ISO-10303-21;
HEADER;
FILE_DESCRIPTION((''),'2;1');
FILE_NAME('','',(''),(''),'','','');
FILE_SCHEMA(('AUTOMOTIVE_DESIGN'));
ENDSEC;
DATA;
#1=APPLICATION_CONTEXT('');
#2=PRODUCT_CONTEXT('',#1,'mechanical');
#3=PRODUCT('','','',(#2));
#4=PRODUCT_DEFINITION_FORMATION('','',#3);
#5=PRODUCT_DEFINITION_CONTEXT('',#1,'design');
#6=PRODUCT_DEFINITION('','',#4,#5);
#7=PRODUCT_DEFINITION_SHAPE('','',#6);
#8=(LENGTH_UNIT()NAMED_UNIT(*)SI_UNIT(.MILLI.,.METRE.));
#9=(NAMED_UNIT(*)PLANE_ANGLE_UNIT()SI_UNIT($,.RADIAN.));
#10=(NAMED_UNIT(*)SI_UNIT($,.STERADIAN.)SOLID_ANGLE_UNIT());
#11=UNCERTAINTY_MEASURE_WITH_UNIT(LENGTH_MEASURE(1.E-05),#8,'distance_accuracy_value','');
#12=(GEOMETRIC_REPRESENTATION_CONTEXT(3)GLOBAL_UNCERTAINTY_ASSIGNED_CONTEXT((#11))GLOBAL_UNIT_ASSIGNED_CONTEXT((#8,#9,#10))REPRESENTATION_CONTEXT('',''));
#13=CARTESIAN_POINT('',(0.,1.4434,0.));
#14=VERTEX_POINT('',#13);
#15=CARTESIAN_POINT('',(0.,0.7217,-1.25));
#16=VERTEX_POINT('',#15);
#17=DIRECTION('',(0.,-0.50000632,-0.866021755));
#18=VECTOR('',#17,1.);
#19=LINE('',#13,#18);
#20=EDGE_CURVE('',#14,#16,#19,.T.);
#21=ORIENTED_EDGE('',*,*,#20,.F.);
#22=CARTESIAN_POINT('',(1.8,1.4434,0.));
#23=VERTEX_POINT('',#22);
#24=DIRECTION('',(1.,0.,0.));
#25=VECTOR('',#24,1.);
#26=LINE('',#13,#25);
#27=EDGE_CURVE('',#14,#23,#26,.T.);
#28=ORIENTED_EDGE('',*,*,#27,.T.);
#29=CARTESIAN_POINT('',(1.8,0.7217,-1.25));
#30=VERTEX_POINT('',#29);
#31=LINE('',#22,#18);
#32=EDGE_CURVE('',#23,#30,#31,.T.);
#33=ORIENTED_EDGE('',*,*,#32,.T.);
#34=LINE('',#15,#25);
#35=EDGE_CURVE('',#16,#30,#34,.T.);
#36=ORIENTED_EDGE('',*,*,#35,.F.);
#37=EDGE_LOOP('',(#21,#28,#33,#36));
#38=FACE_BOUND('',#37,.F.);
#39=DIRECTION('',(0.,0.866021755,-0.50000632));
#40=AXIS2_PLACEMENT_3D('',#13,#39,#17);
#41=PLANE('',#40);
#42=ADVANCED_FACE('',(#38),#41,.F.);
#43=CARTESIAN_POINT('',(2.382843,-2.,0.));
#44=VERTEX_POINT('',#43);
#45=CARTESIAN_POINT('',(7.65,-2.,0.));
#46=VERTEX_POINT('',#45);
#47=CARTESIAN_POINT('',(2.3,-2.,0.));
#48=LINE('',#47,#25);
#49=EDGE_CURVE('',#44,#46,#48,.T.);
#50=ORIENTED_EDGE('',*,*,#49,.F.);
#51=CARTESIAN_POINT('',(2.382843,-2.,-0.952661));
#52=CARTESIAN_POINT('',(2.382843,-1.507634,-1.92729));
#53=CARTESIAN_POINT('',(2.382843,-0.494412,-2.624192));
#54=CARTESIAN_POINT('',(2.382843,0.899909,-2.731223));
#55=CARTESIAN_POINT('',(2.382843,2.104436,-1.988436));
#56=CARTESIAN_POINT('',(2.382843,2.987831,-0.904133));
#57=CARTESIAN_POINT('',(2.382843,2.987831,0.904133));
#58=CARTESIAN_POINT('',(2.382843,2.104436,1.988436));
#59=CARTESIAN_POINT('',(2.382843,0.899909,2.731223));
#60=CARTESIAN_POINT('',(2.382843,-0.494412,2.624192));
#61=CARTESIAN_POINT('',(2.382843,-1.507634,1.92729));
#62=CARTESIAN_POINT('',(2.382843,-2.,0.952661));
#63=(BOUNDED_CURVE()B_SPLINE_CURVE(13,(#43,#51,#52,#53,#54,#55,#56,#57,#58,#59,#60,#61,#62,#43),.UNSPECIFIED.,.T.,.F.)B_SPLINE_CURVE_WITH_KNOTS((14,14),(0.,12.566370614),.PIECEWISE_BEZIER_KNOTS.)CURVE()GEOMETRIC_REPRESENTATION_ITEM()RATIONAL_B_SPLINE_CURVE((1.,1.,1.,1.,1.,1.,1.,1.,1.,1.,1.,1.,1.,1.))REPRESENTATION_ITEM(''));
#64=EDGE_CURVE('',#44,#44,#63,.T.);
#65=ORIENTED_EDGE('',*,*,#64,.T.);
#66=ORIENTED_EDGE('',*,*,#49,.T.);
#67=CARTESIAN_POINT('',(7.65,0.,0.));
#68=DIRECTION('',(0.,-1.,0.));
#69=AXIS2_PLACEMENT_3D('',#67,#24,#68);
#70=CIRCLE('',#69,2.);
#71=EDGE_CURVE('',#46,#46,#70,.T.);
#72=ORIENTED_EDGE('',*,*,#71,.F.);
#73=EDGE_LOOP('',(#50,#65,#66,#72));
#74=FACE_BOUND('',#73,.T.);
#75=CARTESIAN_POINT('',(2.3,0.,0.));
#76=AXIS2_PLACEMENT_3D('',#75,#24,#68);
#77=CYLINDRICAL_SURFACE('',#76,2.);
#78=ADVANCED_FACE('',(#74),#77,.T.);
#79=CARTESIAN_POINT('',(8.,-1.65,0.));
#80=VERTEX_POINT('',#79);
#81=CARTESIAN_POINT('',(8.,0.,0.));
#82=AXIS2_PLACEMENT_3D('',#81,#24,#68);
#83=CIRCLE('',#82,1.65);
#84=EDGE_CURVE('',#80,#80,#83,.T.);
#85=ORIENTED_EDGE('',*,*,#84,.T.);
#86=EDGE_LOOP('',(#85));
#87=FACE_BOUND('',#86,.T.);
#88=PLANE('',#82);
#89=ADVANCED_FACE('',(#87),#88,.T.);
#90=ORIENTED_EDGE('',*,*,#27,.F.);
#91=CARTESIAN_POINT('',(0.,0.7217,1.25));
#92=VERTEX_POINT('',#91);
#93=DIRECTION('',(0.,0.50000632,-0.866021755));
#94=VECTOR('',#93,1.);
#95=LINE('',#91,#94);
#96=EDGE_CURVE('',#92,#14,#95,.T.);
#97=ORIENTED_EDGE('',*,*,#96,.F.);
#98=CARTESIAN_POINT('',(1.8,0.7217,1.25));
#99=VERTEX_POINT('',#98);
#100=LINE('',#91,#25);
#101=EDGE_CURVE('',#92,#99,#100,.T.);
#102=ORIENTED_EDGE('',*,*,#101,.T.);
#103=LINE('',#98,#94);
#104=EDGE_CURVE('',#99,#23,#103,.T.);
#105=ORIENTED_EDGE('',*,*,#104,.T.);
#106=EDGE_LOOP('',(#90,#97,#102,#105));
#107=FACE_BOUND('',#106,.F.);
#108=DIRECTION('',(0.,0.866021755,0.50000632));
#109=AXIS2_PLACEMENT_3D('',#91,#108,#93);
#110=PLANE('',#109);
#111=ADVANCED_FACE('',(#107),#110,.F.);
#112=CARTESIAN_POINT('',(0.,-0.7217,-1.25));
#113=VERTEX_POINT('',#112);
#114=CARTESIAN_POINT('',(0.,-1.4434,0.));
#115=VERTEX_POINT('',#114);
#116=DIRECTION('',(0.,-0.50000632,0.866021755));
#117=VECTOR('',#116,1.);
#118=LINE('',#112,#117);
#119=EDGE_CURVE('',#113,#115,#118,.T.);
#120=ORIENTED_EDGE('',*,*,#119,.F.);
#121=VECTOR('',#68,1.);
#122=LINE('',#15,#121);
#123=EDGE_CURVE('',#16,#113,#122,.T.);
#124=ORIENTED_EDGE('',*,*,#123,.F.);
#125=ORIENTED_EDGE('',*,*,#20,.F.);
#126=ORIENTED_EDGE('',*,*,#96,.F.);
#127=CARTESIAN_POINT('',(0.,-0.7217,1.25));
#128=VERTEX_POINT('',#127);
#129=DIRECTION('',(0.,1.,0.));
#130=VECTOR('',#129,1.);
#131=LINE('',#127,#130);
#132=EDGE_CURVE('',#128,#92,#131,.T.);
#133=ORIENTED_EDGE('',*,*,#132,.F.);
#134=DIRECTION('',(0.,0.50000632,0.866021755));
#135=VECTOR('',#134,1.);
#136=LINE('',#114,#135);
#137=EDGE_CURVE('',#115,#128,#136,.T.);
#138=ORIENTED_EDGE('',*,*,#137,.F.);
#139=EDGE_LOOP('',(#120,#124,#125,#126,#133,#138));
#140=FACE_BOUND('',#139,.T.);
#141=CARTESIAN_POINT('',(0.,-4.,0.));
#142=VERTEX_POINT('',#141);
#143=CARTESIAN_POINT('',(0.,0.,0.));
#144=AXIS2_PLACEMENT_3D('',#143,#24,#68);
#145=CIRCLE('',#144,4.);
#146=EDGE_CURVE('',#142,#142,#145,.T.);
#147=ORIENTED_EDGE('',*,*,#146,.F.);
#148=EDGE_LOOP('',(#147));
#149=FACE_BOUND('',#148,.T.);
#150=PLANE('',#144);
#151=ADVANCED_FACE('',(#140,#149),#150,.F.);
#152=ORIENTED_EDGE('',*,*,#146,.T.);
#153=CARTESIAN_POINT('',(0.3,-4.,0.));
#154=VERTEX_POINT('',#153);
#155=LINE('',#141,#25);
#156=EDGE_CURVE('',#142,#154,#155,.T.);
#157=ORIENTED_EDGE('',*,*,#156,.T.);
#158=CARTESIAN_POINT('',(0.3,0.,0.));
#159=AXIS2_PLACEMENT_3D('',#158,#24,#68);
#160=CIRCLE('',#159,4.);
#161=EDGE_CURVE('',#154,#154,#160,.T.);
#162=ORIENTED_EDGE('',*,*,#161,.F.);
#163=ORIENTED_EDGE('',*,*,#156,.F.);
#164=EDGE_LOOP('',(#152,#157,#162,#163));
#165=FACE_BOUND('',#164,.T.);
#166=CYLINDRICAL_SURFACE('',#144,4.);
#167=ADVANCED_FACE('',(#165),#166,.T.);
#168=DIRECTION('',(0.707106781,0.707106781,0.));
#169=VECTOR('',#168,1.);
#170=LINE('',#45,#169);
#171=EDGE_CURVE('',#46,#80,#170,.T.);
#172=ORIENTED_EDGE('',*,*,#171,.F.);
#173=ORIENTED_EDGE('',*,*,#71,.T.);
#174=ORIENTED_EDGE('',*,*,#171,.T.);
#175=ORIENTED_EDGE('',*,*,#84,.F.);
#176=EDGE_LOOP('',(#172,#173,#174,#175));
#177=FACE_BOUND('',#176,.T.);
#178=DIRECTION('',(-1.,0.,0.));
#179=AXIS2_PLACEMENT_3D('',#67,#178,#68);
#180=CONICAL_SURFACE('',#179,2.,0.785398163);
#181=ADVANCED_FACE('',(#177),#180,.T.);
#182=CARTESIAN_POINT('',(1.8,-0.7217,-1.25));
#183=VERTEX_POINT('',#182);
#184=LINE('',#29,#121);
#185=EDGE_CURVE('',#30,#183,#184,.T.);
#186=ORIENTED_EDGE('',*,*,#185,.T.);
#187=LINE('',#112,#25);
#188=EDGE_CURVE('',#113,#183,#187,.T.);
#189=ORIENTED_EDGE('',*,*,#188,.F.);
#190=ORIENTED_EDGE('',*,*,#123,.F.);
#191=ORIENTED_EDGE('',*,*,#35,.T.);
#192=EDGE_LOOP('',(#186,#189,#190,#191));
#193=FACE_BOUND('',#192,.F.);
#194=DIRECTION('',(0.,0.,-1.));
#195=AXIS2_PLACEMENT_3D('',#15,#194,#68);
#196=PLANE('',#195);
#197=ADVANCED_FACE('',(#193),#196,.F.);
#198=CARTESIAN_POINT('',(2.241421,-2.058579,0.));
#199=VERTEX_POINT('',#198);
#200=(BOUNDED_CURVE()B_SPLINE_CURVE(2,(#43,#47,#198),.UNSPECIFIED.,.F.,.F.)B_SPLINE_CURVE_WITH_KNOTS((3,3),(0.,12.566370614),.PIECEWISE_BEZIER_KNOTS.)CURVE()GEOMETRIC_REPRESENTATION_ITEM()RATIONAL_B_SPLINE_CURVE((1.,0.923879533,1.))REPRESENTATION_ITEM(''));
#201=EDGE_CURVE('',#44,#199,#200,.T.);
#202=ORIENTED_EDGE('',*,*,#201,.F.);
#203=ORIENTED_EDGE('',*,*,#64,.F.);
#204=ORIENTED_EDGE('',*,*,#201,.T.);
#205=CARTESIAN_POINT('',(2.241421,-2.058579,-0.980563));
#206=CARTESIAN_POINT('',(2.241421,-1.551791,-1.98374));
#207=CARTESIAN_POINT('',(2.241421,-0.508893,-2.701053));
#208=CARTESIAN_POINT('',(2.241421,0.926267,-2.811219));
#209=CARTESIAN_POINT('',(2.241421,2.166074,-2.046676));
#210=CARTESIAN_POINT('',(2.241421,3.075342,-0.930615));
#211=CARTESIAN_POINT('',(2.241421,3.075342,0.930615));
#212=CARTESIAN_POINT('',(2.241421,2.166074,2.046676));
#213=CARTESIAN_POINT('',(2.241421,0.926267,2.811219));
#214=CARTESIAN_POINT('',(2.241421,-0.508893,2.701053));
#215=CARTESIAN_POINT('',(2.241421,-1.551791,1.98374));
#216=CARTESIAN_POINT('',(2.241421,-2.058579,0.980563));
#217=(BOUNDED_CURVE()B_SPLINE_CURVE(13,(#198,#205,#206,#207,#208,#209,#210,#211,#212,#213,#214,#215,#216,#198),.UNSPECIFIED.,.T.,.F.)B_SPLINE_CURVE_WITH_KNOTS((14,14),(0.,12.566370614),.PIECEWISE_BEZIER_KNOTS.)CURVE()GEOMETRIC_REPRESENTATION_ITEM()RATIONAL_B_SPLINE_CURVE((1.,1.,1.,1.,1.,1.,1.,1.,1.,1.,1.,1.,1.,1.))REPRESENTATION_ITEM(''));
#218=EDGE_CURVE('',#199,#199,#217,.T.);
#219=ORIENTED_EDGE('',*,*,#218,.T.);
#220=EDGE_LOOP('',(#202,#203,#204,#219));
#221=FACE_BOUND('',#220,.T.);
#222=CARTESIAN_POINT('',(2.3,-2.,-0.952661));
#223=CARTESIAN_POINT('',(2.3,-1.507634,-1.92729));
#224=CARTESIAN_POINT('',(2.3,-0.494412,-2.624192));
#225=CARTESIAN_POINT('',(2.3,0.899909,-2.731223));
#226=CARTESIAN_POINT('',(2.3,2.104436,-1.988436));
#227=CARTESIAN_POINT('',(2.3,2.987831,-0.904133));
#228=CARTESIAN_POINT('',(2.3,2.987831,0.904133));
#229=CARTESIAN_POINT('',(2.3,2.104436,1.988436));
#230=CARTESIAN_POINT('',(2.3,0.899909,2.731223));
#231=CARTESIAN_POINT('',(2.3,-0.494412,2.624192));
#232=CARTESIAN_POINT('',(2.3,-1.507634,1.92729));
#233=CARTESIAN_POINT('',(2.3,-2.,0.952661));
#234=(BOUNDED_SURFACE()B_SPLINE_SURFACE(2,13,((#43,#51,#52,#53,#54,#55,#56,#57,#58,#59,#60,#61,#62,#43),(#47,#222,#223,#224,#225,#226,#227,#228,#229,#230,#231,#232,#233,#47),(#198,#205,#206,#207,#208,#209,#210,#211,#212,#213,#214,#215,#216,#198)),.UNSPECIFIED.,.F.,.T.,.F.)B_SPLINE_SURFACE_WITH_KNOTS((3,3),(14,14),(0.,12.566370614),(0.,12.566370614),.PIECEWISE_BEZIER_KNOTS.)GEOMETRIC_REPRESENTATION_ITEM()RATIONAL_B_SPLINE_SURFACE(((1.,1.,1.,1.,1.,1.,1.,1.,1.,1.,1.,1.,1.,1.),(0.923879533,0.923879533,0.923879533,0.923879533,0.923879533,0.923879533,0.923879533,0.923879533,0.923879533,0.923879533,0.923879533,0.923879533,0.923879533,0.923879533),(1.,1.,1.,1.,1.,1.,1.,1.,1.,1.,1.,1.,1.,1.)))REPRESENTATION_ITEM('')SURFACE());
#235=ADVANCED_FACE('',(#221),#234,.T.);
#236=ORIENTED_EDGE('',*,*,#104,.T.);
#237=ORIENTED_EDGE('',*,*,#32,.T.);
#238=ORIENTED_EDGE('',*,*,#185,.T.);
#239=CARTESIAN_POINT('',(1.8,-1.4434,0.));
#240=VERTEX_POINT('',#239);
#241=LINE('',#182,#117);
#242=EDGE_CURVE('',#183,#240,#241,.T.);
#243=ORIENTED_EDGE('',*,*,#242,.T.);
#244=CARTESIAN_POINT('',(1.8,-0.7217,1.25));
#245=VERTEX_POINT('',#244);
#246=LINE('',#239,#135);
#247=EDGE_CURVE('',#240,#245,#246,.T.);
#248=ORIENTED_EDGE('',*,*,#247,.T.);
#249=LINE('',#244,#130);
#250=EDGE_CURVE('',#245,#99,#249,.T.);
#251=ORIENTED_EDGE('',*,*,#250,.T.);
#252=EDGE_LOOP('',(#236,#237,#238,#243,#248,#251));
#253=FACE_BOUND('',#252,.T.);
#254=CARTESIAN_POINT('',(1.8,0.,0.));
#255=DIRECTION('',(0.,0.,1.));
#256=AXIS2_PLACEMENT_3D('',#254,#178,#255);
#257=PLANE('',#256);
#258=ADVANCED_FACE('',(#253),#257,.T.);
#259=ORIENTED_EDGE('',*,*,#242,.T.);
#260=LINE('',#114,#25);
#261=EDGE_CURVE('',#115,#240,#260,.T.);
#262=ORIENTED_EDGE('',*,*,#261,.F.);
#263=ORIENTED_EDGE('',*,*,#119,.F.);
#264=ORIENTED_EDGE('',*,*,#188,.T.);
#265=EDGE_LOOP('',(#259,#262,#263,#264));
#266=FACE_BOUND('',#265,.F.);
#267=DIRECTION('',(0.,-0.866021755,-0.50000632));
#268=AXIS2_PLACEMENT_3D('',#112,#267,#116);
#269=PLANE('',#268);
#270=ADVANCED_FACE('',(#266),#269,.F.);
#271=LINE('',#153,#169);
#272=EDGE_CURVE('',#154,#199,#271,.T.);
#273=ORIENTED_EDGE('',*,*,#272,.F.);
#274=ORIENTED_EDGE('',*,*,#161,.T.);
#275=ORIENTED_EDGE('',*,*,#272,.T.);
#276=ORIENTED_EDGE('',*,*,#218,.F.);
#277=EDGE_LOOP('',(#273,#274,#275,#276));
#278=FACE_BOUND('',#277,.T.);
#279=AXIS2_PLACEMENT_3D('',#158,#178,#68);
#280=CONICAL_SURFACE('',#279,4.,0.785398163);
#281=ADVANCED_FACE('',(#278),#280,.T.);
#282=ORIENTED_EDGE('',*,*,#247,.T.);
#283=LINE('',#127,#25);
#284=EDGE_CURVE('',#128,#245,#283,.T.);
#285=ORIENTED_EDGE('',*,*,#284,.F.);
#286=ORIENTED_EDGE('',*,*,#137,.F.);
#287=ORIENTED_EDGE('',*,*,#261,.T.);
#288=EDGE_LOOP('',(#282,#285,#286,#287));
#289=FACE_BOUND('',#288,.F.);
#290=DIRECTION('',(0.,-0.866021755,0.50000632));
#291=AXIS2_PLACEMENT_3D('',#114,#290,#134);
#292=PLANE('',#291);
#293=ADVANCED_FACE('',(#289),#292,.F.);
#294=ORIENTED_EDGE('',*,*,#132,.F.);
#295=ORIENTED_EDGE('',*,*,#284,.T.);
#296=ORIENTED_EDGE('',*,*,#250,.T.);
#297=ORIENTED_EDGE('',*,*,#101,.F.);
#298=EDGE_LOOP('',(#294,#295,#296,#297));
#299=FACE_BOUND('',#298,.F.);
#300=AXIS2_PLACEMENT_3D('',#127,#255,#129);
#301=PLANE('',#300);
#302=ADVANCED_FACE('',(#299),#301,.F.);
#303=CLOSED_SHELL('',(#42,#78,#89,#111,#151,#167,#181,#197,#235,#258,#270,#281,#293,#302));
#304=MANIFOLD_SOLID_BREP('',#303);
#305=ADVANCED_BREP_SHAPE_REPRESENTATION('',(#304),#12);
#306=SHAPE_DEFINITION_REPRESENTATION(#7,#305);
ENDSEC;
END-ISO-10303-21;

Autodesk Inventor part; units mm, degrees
ref_plane "YZ Plane" through (0, 0, 0) normal (1, 0, 0) x (0, 1, 0)
sketch "Эскиз1" plane through (0, 0, 0) normal (0, 1, 0) x (-1, 0, 0)
  point P0 (0, 0)
sketch "Эскиз2" plane through (0, 0, 0) normal (0, 0, 1) x (-1, 0, 0)
  line L0 (-8, 2) -> (-8, 0)
  line L1 (-2.3, 2) -> (-8, 2)
  line L2 (-0.3, 4) -> (-2.3, 2)
  line L3 (0, 4) -> (-0.3, 4)
  line L4 (0, 0) -> (0, 4)
  line L5 (-8, 0) -> (0, 0)
  line L6 (-8, 0) -> (0, 0)
  line L7 (0, -9.6) -> (0, 1.6) projected
  line L8 (1.6, 0) -> (-9.6, 0) projected
  dimension "ParC" = 0.3
  dimension "d43" = 45
  dimension "d44" = 4
  dimension "d45" = 2
  dimension "d46" = 8
  dimension "d47" = 0
  dimension "d48" = 0
revolve "Вращение1" add sketch "Эскиз2" angle 360 about axis through (8, 0, 0) along (1, 0, 0)
sketch "Эскиз3" plane through (0, 0, 0) normal (-1, 0, 0) x (0, 0, 1)
  line L0 (-1.25, 0.7217) -> (-1.25, -0.7217)
  line L1 (0, 1.4434) -> (-1.25, 0.7217)
  line L2 (1.25, 0.7217) -> (0, 1.4434)
  line L3 (1.25, -0.7217) -> (1.25, 0.7217)
  line L4 (0, -1.4434) -> (1.25, -0.7217)
  line L5 (-1.25, -0.7217) -> (0, -1.4434)
  circle A0 centre (0, 0) radius 1.25 construction
  circle A1 centre (0, 0) radius 2 construction
  dimension "d11" = 2.5
  dimension "d13" = 120
  dimension "d15" = 120
extrude "Выдавливание1" cut sketch "Эскиз3" against normal blind 1.8
fillet "Сопряжение1" radius 0.2 1 edges at (2.3, 2, 0)
chamfer "Фаска1" distance 0.35 angle 45 1 edges at (8, 2, 0) measured on face at (6.1276, 0.9288, -1.7713)
thread "Резьба1" size "M4x0.7" class "6g" standard "ISO Metric profile" length 4.3
ref_plane "MSC_PF1" through (0, 0, 0) normal (1, 0, 0) x (0, 1, 0)
ref_plane "MSC_PT1" through (0, 0, 0) normal (1, 0, 0) x (0, 1, 0)
equation "\"d43\" = 0.5 * ang"
equation "\"d44\" = 0.5 * dk"
equation "\"d45\" = 0.5 * NND"
equation "\"d46\" = NLG"
equation "\"d11\" = ParS"
equation "\"d16\" = ParT"
equation "\"d18\" = r"
equation "\"d19\" = 0.5 * PTC"
equation "\"d39\" = 0.5 * PTC"
equation "\"NND\" = 4"
equation "\"PTC\" = 0.7"
equation "\"dk\" = 8"
equation "\"ParK\" = 2.3"
equation "\"ParS\" = 2.5"
equation "\"ParT\" = 1.8"
equation "\"r\" = 0.2"
equation "\"NLG\" = 8"
equation "\"ang\" = 90deg"
equation "\"THREADDIA\" = NND"
properties part number "ISO 10642 - M4 x  8" material "Сталь"
